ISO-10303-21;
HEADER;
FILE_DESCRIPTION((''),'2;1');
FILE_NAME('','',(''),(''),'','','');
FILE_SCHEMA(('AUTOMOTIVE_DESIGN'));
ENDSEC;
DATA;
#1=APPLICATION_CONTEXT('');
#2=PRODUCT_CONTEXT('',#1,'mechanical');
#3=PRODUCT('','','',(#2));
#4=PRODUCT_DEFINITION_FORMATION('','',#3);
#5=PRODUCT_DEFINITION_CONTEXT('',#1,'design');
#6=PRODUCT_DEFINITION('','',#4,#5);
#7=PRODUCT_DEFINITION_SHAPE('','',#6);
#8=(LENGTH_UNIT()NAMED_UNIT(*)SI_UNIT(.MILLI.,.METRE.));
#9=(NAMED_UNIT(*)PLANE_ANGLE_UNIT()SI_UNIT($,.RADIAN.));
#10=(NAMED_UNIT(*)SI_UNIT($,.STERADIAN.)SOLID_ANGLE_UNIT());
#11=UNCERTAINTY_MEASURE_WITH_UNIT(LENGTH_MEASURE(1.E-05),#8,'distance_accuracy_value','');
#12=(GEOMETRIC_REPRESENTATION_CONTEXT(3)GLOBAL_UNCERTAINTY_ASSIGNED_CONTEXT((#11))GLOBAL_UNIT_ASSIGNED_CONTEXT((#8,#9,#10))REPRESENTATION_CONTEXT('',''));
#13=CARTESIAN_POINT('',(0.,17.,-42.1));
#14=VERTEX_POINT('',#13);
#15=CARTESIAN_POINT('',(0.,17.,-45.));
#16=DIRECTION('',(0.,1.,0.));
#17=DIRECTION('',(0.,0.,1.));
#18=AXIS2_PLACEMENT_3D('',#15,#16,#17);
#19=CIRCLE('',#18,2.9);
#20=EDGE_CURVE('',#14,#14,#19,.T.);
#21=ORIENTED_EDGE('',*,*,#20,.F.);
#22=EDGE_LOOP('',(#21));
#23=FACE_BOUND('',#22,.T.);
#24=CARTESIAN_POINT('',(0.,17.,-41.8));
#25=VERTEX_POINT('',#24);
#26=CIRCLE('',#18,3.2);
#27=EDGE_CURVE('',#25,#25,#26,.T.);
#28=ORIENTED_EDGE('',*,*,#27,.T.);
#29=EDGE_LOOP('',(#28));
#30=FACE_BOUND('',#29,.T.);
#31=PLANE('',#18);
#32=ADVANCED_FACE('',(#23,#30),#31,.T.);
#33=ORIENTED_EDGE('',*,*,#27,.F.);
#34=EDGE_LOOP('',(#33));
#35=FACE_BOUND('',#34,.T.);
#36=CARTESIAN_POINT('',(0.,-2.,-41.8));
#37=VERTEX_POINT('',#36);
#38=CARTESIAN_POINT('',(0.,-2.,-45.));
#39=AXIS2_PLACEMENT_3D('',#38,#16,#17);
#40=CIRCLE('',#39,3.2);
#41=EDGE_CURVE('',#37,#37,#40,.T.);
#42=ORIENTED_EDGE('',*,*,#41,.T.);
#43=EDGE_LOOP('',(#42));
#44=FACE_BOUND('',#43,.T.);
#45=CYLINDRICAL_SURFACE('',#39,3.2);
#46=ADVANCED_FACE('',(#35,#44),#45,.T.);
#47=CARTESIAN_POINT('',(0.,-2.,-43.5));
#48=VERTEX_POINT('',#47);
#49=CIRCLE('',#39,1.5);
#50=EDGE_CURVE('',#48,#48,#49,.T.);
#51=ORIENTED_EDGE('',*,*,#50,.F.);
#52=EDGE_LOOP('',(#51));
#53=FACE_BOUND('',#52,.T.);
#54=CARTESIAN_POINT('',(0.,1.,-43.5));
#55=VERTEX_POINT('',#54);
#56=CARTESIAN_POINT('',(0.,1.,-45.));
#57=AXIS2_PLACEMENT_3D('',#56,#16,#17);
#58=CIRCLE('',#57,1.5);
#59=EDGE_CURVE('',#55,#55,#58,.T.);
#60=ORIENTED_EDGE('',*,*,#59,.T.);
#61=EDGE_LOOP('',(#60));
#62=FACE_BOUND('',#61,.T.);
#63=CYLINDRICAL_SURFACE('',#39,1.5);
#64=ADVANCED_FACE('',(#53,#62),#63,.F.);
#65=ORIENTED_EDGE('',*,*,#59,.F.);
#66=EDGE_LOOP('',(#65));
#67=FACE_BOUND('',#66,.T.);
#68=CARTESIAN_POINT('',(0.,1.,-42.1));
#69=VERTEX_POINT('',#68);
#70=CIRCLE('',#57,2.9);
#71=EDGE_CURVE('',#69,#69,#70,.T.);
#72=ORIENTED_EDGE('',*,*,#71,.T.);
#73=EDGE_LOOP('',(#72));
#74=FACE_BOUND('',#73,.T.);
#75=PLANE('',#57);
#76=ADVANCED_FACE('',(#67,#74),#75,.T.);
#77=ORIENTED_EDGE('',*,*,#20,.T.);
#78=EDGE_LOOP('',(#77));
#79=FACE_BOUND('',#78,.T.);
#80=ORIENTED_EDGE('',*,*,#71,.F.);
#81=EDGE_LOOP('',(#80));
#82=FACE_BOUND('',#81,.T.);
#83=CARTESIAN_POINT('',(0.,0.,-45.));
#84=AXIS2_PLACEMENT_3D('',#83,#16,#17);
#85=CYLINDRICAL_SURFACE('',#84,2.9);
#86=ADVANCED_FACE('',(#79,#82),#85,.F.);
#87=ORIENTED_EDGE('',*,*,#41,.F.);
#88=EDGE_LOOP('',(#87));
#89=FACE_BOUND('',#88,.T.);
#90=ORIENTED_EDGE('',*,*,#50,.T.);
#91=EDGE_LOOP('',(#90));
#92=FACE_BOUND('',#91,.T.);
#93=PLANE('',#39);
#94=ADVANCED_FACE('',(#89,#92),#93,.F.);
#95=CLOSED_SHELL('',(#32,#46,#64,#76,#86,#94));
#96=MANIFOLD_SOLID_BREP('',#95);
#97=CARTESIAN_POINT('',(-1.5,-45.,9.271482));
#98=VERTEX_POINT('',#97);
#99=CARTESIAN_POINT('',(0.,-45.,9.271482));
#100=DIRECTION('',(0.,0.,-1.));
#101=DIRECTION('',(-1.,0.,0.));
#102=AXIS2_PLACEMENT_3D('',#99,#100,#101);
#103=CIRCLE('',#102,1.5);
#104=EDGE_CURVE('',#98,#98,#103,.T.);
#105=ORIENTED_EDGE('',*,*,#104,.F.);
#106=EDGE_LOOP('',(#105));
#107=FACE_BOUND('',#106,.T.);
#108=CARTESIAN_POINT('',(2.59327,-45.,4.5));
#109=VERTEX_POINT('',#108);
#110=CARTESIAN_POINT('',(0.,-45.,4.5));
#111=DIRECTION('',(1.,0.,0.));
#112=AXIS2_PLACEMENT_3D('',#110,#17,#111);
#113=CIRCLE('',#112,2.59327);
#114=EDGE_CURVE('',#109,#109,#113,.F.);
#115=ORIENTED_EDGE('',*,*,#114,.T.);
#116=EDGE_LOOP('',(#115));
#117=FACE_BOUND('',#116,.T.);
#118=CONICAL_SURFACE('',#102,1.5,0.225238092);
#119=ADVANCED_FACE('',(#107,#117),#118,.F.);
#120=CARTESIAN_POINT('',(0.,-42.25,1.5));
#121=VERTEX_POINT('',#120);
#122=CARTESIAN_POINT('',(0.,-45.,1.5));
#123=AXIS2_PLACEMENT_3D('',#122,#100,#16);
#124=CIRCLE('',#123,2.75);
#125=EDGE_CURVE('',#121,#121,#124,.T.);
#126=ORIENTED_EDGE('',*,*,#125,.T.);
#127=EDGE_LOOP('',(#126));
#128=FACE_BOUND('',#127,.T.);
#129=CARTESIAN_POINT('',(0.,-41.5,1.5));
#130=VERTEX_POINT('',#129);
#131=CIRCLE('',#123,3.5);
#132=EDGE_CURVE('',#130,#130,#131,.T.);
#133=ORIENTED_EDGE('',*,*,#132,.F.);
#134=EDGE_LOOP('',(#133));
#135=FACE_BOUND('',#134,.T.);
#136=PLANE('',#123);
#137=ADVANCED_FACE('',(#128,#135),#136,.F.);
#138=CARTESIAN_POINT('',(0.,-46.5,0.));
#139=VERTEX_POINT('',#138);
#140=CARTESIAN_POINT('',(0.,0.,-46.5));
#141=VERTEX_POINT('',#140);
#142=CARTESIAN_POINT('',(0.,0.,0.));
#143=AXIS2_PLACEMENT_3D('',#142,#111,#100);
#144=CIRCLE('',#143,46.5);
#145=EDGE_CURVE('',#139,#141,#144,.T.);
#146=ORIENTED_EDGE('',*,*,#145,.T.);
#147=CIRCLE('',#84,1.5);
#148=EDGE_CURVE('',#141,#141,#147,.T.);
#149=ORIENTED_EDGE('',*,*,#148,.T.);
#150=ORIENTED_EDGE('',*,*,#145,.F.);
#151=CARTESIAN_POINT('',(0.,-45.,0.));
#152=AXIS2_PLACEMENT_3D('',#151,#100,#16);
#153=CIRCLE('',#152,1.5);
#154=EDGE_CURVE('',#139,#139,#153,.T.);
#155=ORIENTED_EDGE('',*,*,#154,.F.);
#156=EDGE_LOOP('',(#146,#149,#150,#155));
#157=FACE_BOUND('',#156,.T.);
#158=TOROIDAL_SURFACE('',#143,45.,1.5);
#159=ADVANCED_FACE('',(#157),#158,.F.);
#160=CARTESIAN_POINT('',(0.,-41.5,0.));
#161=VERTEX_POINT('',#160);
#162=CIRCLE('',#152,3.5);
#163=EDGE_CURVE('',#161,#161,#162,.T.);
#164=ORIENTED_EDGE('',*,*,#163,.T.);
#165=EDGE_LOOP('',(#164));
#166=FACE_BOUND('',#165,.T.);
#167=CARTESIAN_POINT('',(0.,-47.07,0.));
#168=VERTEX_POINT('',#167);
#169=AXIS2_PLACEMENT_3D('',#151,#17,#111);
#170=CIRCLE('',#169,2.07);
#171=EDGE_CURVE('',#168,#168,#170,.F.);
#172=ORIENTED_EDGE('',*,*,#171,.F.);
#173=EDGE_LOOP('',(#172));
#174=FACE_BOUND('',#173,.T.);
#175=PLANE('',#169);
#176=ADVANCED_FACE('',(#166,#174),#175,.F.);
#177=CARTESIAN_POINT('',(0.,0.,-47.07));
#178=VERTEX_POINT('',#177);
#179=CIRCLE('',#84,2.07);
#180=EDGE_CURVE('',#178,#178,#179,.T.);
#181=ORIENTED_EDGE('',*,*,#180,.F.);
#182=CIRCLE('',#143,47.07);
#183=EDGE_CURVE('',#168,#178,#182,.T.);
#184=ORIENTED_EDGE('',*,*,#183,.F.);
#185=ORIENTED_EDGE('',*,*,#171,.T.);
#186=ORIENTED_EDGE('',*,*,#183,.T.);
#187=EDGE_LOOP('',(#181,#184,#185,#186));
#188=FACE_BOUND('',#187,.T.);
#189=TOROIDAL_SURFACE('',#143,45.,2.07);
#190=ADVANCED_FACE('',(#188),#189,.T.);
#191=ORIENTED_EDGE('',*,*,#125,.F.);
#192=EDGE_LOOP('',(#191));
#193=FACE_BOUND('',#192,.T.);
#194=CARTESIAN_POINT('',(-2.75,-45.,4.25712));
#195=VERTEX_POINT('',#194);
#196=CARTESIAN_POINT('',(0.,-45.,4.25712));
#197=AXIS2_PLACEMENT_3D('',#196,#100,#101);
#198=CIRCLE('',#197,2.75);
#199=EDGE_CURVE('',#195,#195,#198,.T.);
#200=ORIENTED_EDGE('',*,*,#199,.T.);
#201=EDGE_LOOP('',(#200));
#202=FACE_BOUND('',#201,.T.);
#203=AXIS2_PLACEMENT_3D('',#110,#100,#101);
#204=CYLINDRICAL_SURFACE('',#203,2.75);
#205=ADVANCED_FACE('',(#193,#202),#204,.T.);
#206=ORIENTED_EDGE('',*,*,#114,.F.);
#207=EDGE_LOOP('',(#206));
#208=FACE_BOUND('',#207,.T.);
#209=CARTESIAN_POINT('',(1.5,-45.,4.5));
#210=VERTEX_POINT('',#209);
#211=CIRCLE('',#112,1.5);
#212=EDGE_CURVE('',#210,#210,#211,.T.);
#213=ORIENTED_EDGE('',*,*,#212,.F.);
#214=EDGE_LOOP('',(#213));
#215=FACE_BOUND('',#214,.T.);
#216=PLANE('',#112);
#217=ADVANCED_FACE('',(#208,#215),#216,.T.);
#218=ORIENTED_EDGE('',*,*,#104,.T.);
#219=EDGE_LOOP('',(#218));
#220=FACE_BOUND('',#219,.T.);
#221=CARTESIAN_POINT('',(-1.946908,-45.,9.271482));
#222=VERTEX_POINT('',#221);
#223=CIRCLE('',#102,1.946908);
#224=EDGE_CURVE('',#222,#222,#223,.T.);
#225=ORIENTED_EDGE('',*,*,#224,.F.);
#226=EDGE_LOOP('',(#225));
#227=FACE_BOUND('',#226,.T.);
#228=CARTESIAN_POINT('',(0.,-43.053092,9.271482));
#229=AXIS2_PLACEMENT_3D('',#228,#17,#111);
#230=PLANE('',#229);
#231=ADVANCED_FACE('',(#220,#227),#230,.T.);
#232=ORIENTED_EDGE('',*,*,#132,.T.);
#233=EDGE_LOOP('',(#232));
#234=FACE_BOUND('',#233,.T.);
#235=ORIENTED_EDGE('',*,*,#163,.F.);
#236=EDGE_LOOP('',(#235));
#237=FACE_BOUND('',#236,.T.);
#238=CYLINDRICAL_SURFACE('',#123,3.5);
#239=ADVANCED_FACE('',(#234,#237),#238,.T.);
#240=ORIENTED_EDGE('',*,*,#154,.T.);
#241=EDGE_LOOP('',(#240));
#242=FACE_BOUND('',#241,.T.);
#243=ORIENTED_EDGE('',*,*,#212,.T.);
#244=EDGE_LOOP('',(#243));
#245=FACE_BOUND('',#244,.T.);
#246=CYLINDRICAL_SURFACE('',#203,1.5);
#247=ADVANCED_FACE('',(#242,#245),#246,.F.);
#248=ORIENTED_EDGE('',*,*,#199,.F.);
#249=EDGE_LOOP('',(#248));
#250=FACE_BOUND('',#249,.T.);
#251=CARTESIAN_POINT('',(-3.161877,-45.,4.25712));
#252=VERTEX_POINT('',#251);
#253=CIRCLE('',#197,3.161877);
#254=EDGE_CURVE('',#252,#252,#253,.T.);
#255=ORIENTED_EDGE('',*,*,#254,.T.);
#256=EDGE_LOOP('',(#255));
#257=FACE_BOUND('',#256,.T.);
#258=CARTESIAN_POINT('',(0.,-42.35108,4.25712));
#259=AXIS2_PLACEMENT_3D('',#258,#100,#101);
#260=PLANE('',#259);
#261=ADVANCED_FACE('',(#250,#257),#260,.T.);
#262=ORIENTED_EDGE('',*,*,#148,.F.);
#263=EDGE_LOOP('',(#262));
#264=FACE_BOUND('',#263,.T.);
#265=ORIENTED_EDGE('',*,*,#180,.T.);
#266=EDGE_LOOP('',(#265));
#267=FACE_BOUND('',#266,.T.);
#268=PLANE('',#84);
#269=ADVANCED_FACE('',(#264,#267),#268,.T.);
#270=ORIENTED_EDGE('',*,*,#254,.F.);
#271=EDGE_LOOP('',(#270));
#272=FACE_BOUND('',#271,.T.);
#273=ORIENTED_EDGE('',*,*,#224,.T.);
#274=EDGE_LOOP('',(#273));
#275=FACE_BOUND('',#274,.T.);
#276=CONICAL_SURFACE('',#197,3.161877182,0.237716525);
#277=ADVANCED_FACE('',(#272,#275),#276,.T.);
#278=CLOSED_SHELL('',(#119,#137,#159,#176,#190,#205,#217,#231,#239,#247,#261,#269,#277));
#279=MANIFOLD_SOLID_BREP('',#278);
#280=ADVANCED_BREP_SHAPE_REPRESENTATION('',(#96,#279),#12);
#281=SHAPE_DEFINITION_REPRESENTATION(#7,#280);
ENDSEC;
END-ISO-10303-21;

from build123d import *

# Parameters (mm, degrees)
SKETCH2_R                = 2.07
SKETCH2_R_2              = 1.5
SKETCH3_R                = 2.75
SKETCH3_R_2              = 1.5
BOSS_EXTRUDE1_DEPTH      = 4.5
SKETCH4_R                = 3.5
SKETCH4_R_2              = 2.5
BOSS_EXTRUDE2_DEPTH      = 1.5
BOSS_EXTRUDE3_DEPTH      = 1
BOSS_EXTRUDE3_DEPTH_BACK = 2
SKETCH5_R                = 3.2
SKETCH5_R_2              = 1.5
BOSS_EXTRUDE6_DEPTH      = 16
BOSS_EXTRUDE6_DEPTH_BACK = 1
SKETCH10_R               = 3.2
SKETCH10_R_2             = 2.9


with BuildPart() as part:
    # Sweep-Thin1: sweep along a path in Sketch1
    with BuildLine(Plane(origin=(0, 0, 0), x_dir=(0, 0, -1), z_dir=(1, 0, 0))) as sweep_thin1_path:
        ThreePointArc((0, -45), (31.819805153, -31.819805153), (45, 0))
    # Sketch2 → Sweep-Thin1 (sweep)
    with BuildSketch(Plane(origin=(0, -45, 0), x_dir=(-1, 0, 0), z_dir=(0, 0, -1))):
        Circle(SKETCH2_R)
        Circle(SKETCH2_R_2, mode=Mode.SUBTRACT)
    sweep(path=sweep_thin1_path.line)

    # Sketch3 → Boss-Extrude1 (add)
    with BuildSketch(Plane.XY):
        with Locations((0, -45)):
            Circle(SKETCH3_R)
        with Locations(Location((0, -45, 0), (0, 0, 270))):
            Circle(SKETCH3_R_2, mode=Mode.SUBTRACT)
    extrude(amount=BOSS_EXTRUDE1_DEPTH)

    # Sketch4 → Boss-Extrude2 (add)
    with BuildSketch(Plane(origin=(0, -45, 0), x_dir=(-1, 0, 0), z_dir=(0, 0, -1))):
        with Locations(Location((0, 0, 0), (0, 0, 90))):
            Circle(SKETCH4_R)
        Circle(SKETCH4_R_2, mode=Mode.SUBTRACT)
    extrude(amount=-BOSS_EXTRUDE2_DEPTH)

    # Sketch8 → Revolve1 (revolve)
    with BuildSketch(Plane(origin=(0, 0, 0), x_dir=(0, 0, -1), z_dir=(1, 0, 0)), mode=Mode.PRIVATE) as revolve1_sk:
        Polygon((-4.25711996, -42.351079614), (-4.25711996, -41.838122818), (-9.271481687, -43.053091763), (-9.271481687, -43.5), align=None)
    revolve(revolve1_sk.sketch.rotate(Axis((0, -45, 4.5), (0, 0, 1)), 90), axis=Axis((0, -45, 4.5), (0, 0, 1)))


with BuildPart() as body_2:
    # Sketch5 → Boss-Extrude3 (new, two sides: drawn at the far end of the back side and taken through both)
    with BuildSketch(Plane(origin=(0, 0, 0), x_dir=(1, 0, 0), z_dir=(0, 1, 0)).offset(-BOSS_EXTRUDE3_DEPTH_BACK)):
        with Locations(Location((0, 45, 0), (0, 0, 270))):
            Circle(SKETCH5_R)
        with Locations(Location((0, 45, 0), (0, 0, 270))):
            Circle(SKETCH5_R_2, mode=Mode.SUBTRACT)
    extrude(amount=BOSS_EXTRUDE3_DEPTH + BOSS_EXTRUDE3_DEPTH_BACK)

    # Sketch10 → Boss-Extrude6 (add, two sides: drawn at the far end of the back side and taken through both)
    with BuildSketch(Plane(origin=(0, 1, 0), x_dir=(1, 0, 0), z_dir=(0, 1, 0)).offset(-BOSS_EXTRUDE6_DEPTH_BACK)):
        with Locations(Location((0, 45, 0), (0, 0, 270))):
            Circle(SKETCH10_R)
        with Locations(Location((0, 45, 0), (0, 0, 270))):
            Circle(SKETCH10_R_2, mode=Mode.SUBTRACT)
    extrude(amount=BOSS_EXTRUDE6_DEPTH + BOSS_EXTRUDE6_DEPTH_BACK)


solid = Compound([part.part, body_2.part])
